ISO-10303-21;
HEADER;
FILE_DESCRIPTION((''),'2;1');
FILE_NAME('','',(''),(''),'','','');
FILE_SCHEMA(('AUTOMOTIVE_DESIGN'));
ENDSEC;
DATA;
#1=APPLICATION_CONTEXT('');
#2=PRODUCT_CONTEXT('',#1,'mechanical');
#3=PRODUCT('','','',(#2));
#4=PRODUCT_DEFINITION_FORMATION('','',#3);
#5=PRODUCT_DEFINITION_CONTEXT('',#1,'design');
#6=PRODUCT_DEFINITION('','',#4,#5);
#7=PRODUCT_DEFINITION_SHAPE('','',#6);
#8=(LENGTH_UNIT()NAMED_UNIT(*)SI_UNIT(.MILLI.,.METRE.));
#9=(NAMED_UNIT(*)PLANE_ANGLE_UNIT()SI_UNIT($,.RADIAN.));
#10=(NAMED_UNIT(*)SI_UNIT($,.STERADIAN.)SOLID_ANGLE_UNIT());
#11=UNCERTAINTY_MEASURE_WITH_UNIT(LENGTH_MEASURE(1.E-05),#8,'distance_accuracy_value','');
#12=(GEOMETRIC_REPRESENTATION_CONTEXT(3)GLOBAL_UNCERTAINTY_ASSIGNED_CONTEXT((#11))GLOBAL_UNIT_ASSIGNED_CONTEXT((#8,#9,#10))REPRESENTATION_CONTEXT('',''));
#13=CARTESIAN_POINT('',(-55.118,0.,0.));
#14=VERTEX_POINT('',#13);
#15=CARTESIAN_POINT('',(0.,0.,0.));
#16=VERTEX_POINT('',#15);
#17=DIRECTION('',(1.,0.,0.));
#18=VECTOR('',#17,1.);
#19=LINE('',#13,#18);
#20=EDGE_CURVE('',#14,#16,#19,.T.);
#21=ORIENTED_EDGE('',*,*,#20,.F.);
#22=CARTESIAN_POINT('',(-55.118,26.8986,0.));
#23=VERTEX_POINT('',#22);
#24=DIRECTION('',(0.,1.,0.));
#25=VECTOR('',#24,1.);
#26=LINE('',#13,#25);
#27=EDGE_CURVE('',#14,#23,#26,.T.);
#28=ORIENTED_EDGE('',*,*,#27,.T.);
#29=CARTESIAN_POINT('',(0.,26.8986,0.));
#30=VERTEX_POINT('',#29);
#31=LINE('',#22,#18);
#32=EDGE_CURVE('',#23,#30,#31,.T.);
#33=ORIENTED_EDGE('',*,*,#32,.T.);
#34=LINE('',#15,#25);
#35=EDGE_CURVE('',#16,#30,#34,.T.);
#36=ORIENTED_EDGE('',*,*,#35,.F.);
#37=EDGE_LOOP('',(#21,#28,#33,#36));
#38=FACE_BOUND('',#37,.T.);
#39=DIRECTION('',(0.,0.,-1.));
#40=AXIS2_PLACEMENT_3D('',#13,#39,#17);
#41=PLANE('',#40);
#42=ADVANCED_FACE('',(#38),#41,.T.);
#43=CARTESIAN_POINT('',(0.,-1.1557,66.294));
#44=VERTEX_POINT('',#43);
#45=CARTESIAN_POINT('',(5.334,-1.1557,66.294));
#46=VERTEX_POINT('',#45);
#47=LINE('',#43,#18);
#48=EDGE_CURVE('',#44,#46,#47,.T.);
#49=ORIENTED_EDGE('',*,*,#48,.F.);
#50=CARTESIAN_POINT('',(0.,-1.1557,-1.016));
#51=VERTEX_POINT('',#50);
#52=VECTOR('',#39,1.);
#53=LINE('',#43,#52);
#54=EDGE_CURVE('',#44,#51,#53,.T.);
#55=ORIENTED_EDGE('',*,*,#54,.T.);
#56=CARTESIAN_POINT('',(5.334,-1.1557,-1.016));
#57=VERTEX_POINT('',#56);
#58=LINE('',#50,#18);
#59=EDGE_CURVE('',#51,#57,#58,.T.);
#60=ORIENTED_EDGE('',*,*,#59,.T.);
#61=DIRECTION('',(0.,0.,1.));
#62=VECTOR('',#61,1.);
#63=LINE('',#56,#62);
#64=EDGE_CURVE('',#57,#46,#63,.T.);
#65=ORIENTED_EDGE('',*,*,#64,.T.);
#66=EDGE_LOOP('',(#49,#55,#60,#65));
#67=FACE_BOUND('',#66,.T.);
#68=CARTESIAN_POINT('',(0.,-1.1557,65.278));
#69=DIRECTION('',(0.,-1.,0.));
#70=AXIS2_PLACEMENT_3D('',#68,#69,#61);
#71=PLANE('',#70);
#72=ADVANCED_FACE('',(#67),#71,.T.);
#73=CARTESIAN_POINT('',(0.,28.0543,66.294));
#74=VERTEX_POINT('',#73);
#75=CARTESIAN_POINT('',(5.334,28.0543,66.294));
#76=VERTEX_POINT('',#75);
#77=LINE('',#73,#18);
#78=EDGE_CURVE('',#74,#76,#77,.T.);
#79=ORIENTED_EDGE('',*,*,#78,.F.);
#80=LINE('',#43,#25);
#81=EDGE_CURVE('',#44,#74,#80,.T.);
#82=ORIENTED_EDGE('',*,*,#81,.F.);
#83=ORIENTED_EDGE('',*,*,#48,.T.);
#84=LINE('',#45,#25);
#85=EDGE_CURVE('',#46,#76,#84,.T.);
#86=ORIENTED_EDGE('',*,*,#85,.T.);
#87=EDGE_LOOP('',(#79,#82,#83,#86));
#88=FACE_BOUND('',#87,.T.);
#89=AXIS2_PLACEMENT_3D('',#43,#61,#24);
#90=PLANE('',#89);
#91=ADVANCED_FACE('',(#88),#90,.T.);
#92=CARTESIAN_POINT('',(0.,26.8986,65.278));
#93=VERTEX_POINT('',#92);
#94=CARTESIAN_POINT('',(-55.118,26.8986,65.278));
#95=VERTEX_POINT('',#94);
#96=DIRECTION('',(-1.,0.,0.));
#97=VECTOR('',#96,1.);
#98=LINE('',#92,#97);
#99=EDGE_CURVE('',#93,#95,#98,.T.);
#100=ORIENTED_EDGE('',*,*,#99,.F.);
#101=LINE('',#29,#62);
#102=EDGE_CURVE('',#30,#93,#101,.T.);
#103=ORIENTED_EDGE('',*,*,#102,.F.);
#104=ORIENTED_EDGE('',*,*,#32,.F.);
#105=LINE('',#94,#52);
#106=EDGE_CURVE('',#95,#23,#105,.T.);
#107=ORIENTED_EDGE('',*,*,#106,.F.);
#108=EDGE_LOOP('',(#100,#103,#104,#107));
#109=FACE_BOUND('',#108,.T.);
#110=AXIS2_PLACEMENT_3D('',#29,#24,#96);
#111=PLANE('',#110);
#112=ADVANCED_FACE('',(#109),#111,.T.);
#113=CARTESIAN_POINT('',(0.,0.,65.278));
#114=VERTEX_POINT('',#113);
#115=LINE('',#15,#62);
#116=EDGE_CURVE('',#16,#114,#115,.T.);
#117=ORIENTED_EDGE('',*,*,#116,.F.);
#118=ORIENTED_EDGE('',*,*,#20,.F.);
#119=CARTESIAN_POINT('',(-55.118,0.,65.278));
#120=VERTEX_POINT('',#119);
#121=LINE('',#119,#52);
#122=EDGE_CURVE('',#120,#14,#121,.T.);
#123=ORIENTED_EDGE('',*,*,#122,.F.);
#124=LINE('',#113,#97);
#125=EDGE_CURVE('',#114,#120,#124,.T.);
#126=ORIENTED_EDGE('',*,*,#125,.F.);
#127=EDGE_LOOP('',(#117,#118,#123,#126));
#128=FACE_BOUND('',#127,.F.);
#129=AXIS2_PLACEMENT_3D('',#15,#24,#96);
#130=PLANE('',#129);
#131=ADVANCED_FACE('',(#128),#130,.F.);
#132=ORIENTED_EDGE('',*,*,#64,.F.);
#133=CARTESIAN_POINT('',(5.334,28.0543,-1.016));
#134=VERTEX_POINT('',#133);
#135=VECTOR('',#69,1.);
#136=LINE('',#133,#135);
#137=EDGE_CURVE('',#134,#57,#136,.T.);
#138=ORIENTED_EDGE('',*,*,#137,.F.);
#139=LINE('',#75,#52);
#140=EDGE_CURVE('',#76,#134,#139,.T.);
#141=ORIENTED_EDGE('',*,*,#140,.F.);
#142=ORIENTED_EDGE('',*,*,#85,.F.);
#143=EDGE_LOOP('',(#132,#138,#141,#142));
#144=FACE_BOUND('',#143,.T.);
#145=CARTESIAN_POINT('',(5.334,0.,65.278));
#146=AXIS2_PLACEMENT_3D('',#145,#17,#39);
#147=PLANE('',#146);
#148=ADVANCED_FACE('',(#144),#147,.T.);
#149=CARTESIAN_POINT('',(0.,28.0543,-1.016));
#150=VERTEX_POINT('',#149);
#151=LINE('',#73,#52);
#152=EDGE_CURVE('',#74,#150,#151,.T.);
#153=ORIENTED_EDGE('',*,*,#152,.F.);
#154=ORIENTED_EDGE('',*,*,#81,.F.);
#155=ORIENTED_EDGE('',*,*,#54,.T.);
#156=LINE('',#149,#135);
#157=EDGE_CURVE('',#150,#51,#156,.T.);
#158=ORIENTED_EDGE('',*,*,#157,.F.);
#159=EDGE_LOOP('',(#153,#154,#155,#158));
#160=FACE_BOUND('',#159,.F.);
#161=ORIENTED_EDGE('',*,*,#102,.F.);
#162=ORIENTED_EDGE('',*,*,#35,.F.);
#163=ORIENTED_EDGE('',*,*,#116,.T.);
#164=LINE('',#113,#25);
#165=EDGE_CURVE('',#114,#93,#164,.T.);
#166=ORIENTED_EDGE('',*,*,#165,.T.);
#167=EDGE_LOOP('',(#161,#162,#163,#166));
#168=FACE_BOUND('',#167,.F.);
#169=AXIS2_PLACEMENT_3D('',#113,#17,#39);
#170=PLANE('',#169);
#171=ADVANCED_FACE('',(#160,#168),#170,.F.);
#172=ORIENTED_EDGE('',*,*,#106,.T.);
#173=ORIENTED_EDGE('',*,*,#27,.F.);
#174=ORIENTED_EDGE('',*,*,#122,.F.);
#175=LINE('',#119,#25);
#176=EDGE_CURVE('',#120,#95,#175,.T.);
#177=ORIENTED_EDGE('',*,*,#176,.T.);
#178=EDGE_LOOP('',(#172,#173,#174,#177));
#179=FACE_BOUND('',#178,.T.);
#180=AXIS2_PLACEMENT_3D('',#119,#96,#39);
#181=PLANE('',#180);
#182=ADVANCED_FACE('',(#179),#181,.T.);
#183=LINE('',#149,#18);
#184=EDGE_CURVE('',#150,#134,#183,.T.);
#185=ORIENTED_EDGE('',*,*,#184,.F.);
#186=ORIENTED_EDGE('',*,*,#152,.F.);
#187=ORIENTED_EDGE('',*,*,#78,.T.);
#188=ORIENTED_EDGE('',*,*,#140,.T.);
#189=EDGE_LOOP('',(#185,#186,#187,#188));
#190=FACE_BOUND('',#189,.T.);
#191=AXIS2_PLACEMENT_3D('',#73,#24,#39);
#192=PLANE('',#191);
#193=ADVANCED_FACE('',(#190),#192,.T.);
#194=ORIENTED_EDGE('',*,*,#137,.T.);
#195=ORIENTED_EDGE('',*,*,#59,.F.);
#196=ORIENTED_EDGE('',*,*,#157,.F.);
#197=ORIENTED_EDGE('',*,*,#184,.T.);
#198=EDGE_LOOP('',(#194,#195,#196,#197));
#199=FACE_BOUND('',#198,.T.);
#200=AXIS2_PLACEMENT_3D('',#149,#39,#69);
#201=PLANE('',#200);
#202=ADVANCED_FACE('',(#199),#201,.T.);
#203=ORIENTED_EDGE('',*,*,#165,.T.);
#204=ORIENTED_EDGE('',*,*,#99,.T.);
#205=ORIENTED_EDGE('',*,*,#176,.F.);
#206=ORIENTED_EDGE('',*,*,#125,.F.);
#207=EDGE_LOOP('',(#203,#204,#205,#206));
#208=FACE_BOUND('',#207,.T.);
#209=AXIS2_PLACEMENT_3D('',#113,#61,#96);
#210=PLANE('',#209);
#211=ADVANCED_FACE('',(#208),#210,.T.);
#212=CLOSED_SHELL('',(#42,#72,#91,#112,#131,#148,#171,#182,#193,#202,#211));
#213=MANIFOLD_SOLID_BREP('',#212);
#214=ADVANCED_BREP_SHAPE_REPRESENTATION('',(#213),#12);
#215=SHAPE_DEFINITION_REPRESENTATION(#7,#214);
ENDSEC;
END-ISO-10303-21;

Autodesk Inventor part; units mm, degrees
ref_plane "YZ Plane" through (0, 0, 0) normal (1, 0, 0) x (0, 1, 0)
ref_plane "XZ Plane" through (0, 0, 0) normal (0, 1, 0) x (-1, 0, 0)
ref_plane "XY Plane" through (0, 0, 0) normal (0, 0, 1) x (1, 0, 0)
sketch "Sketch1" plane through (0, 0, 0) normal (0, 1, 0) x (-1, 0, 0)
  line L0 (0, 0) -> (0, 65.278)
  line L1 (0, 65.278) -> (55.118, 65.278)
  line L2 (55.118, 65.278) -> (55.118, 0)
  line L3 (55.118, 0) -> (0, 0)
  dimension "d0" = 65.278
  dimension "d1" = 55.118
extrude "Extrusion1" add sketch "Sketch1" along normal blind 26.8986
sketch "Sketch2" plane through (0, 0, 65.278) normal (1, 0, 0) x (0, 0, -1)
  line L0 (65.278, 26.8986) -> (0, 26.8986) projected
  line L1 (65.278, 0) -> (0, 0) projected
  line L2 (0, 0) -> (0, -1.1557)
  line L3 (0, -1.1557) -> (-1.016, -1.1557)
  line L4 (-1.016, -1.1557) -> (-1.016, 28.0543)
  line L5 (-1.016, 28.0543) -> (66.294, 28.0543)
  line L6 (66.294, 28.0543) -> (66.294, -1.1557)
  line L7 (66.294, -1.1557) -> (0, -1.1557)
  dimension "d7" = 1.1557
  dimension "d8" = 1.016
  dimension "d9" = 29.21
  dimension "d10" = 67.31
extrude "Extrusion2" add sketch "Sketch2" along normal blind 5.334
sketch "Sketch3" plane through (5.334, 0, 65.278) normal (1, 0, 0) x (0, 0, -1)
  line L0 (6.2473, 17.0204) -> (32.1207, 17.0204) construction
  line L1 (32.1207, 17.0204) -> (32.1207, 13.8637) construction
  line L2 (32.1207, 13.8637) -> (6.2473, 13.8637) construction
  line L3 (6.2473, 13.8637) -> (6.2473, 17.0204) construction
  point P0 (65.278, 0)
sketch "Sketch4" plane through (-55.118, 0, 0) normal (-1, 0, 0) x (0, 0, 1)
  line L0 (-2.6118, 20.4476) -> (65.0145, 20.4476) construction
  line L1 (65.0145, 20.4476) -> (65.0145, -8.8115) construction
  line L2 (65.0145, -8.8115) -> (-2.6118, -8.8115) construction
  line L3 (-2.6118, -8.8115) -> (-2.6118, 20.4476) construction
  point P0 (0, 0)
properties part number "Power_entry_AK_or_AR_2"
